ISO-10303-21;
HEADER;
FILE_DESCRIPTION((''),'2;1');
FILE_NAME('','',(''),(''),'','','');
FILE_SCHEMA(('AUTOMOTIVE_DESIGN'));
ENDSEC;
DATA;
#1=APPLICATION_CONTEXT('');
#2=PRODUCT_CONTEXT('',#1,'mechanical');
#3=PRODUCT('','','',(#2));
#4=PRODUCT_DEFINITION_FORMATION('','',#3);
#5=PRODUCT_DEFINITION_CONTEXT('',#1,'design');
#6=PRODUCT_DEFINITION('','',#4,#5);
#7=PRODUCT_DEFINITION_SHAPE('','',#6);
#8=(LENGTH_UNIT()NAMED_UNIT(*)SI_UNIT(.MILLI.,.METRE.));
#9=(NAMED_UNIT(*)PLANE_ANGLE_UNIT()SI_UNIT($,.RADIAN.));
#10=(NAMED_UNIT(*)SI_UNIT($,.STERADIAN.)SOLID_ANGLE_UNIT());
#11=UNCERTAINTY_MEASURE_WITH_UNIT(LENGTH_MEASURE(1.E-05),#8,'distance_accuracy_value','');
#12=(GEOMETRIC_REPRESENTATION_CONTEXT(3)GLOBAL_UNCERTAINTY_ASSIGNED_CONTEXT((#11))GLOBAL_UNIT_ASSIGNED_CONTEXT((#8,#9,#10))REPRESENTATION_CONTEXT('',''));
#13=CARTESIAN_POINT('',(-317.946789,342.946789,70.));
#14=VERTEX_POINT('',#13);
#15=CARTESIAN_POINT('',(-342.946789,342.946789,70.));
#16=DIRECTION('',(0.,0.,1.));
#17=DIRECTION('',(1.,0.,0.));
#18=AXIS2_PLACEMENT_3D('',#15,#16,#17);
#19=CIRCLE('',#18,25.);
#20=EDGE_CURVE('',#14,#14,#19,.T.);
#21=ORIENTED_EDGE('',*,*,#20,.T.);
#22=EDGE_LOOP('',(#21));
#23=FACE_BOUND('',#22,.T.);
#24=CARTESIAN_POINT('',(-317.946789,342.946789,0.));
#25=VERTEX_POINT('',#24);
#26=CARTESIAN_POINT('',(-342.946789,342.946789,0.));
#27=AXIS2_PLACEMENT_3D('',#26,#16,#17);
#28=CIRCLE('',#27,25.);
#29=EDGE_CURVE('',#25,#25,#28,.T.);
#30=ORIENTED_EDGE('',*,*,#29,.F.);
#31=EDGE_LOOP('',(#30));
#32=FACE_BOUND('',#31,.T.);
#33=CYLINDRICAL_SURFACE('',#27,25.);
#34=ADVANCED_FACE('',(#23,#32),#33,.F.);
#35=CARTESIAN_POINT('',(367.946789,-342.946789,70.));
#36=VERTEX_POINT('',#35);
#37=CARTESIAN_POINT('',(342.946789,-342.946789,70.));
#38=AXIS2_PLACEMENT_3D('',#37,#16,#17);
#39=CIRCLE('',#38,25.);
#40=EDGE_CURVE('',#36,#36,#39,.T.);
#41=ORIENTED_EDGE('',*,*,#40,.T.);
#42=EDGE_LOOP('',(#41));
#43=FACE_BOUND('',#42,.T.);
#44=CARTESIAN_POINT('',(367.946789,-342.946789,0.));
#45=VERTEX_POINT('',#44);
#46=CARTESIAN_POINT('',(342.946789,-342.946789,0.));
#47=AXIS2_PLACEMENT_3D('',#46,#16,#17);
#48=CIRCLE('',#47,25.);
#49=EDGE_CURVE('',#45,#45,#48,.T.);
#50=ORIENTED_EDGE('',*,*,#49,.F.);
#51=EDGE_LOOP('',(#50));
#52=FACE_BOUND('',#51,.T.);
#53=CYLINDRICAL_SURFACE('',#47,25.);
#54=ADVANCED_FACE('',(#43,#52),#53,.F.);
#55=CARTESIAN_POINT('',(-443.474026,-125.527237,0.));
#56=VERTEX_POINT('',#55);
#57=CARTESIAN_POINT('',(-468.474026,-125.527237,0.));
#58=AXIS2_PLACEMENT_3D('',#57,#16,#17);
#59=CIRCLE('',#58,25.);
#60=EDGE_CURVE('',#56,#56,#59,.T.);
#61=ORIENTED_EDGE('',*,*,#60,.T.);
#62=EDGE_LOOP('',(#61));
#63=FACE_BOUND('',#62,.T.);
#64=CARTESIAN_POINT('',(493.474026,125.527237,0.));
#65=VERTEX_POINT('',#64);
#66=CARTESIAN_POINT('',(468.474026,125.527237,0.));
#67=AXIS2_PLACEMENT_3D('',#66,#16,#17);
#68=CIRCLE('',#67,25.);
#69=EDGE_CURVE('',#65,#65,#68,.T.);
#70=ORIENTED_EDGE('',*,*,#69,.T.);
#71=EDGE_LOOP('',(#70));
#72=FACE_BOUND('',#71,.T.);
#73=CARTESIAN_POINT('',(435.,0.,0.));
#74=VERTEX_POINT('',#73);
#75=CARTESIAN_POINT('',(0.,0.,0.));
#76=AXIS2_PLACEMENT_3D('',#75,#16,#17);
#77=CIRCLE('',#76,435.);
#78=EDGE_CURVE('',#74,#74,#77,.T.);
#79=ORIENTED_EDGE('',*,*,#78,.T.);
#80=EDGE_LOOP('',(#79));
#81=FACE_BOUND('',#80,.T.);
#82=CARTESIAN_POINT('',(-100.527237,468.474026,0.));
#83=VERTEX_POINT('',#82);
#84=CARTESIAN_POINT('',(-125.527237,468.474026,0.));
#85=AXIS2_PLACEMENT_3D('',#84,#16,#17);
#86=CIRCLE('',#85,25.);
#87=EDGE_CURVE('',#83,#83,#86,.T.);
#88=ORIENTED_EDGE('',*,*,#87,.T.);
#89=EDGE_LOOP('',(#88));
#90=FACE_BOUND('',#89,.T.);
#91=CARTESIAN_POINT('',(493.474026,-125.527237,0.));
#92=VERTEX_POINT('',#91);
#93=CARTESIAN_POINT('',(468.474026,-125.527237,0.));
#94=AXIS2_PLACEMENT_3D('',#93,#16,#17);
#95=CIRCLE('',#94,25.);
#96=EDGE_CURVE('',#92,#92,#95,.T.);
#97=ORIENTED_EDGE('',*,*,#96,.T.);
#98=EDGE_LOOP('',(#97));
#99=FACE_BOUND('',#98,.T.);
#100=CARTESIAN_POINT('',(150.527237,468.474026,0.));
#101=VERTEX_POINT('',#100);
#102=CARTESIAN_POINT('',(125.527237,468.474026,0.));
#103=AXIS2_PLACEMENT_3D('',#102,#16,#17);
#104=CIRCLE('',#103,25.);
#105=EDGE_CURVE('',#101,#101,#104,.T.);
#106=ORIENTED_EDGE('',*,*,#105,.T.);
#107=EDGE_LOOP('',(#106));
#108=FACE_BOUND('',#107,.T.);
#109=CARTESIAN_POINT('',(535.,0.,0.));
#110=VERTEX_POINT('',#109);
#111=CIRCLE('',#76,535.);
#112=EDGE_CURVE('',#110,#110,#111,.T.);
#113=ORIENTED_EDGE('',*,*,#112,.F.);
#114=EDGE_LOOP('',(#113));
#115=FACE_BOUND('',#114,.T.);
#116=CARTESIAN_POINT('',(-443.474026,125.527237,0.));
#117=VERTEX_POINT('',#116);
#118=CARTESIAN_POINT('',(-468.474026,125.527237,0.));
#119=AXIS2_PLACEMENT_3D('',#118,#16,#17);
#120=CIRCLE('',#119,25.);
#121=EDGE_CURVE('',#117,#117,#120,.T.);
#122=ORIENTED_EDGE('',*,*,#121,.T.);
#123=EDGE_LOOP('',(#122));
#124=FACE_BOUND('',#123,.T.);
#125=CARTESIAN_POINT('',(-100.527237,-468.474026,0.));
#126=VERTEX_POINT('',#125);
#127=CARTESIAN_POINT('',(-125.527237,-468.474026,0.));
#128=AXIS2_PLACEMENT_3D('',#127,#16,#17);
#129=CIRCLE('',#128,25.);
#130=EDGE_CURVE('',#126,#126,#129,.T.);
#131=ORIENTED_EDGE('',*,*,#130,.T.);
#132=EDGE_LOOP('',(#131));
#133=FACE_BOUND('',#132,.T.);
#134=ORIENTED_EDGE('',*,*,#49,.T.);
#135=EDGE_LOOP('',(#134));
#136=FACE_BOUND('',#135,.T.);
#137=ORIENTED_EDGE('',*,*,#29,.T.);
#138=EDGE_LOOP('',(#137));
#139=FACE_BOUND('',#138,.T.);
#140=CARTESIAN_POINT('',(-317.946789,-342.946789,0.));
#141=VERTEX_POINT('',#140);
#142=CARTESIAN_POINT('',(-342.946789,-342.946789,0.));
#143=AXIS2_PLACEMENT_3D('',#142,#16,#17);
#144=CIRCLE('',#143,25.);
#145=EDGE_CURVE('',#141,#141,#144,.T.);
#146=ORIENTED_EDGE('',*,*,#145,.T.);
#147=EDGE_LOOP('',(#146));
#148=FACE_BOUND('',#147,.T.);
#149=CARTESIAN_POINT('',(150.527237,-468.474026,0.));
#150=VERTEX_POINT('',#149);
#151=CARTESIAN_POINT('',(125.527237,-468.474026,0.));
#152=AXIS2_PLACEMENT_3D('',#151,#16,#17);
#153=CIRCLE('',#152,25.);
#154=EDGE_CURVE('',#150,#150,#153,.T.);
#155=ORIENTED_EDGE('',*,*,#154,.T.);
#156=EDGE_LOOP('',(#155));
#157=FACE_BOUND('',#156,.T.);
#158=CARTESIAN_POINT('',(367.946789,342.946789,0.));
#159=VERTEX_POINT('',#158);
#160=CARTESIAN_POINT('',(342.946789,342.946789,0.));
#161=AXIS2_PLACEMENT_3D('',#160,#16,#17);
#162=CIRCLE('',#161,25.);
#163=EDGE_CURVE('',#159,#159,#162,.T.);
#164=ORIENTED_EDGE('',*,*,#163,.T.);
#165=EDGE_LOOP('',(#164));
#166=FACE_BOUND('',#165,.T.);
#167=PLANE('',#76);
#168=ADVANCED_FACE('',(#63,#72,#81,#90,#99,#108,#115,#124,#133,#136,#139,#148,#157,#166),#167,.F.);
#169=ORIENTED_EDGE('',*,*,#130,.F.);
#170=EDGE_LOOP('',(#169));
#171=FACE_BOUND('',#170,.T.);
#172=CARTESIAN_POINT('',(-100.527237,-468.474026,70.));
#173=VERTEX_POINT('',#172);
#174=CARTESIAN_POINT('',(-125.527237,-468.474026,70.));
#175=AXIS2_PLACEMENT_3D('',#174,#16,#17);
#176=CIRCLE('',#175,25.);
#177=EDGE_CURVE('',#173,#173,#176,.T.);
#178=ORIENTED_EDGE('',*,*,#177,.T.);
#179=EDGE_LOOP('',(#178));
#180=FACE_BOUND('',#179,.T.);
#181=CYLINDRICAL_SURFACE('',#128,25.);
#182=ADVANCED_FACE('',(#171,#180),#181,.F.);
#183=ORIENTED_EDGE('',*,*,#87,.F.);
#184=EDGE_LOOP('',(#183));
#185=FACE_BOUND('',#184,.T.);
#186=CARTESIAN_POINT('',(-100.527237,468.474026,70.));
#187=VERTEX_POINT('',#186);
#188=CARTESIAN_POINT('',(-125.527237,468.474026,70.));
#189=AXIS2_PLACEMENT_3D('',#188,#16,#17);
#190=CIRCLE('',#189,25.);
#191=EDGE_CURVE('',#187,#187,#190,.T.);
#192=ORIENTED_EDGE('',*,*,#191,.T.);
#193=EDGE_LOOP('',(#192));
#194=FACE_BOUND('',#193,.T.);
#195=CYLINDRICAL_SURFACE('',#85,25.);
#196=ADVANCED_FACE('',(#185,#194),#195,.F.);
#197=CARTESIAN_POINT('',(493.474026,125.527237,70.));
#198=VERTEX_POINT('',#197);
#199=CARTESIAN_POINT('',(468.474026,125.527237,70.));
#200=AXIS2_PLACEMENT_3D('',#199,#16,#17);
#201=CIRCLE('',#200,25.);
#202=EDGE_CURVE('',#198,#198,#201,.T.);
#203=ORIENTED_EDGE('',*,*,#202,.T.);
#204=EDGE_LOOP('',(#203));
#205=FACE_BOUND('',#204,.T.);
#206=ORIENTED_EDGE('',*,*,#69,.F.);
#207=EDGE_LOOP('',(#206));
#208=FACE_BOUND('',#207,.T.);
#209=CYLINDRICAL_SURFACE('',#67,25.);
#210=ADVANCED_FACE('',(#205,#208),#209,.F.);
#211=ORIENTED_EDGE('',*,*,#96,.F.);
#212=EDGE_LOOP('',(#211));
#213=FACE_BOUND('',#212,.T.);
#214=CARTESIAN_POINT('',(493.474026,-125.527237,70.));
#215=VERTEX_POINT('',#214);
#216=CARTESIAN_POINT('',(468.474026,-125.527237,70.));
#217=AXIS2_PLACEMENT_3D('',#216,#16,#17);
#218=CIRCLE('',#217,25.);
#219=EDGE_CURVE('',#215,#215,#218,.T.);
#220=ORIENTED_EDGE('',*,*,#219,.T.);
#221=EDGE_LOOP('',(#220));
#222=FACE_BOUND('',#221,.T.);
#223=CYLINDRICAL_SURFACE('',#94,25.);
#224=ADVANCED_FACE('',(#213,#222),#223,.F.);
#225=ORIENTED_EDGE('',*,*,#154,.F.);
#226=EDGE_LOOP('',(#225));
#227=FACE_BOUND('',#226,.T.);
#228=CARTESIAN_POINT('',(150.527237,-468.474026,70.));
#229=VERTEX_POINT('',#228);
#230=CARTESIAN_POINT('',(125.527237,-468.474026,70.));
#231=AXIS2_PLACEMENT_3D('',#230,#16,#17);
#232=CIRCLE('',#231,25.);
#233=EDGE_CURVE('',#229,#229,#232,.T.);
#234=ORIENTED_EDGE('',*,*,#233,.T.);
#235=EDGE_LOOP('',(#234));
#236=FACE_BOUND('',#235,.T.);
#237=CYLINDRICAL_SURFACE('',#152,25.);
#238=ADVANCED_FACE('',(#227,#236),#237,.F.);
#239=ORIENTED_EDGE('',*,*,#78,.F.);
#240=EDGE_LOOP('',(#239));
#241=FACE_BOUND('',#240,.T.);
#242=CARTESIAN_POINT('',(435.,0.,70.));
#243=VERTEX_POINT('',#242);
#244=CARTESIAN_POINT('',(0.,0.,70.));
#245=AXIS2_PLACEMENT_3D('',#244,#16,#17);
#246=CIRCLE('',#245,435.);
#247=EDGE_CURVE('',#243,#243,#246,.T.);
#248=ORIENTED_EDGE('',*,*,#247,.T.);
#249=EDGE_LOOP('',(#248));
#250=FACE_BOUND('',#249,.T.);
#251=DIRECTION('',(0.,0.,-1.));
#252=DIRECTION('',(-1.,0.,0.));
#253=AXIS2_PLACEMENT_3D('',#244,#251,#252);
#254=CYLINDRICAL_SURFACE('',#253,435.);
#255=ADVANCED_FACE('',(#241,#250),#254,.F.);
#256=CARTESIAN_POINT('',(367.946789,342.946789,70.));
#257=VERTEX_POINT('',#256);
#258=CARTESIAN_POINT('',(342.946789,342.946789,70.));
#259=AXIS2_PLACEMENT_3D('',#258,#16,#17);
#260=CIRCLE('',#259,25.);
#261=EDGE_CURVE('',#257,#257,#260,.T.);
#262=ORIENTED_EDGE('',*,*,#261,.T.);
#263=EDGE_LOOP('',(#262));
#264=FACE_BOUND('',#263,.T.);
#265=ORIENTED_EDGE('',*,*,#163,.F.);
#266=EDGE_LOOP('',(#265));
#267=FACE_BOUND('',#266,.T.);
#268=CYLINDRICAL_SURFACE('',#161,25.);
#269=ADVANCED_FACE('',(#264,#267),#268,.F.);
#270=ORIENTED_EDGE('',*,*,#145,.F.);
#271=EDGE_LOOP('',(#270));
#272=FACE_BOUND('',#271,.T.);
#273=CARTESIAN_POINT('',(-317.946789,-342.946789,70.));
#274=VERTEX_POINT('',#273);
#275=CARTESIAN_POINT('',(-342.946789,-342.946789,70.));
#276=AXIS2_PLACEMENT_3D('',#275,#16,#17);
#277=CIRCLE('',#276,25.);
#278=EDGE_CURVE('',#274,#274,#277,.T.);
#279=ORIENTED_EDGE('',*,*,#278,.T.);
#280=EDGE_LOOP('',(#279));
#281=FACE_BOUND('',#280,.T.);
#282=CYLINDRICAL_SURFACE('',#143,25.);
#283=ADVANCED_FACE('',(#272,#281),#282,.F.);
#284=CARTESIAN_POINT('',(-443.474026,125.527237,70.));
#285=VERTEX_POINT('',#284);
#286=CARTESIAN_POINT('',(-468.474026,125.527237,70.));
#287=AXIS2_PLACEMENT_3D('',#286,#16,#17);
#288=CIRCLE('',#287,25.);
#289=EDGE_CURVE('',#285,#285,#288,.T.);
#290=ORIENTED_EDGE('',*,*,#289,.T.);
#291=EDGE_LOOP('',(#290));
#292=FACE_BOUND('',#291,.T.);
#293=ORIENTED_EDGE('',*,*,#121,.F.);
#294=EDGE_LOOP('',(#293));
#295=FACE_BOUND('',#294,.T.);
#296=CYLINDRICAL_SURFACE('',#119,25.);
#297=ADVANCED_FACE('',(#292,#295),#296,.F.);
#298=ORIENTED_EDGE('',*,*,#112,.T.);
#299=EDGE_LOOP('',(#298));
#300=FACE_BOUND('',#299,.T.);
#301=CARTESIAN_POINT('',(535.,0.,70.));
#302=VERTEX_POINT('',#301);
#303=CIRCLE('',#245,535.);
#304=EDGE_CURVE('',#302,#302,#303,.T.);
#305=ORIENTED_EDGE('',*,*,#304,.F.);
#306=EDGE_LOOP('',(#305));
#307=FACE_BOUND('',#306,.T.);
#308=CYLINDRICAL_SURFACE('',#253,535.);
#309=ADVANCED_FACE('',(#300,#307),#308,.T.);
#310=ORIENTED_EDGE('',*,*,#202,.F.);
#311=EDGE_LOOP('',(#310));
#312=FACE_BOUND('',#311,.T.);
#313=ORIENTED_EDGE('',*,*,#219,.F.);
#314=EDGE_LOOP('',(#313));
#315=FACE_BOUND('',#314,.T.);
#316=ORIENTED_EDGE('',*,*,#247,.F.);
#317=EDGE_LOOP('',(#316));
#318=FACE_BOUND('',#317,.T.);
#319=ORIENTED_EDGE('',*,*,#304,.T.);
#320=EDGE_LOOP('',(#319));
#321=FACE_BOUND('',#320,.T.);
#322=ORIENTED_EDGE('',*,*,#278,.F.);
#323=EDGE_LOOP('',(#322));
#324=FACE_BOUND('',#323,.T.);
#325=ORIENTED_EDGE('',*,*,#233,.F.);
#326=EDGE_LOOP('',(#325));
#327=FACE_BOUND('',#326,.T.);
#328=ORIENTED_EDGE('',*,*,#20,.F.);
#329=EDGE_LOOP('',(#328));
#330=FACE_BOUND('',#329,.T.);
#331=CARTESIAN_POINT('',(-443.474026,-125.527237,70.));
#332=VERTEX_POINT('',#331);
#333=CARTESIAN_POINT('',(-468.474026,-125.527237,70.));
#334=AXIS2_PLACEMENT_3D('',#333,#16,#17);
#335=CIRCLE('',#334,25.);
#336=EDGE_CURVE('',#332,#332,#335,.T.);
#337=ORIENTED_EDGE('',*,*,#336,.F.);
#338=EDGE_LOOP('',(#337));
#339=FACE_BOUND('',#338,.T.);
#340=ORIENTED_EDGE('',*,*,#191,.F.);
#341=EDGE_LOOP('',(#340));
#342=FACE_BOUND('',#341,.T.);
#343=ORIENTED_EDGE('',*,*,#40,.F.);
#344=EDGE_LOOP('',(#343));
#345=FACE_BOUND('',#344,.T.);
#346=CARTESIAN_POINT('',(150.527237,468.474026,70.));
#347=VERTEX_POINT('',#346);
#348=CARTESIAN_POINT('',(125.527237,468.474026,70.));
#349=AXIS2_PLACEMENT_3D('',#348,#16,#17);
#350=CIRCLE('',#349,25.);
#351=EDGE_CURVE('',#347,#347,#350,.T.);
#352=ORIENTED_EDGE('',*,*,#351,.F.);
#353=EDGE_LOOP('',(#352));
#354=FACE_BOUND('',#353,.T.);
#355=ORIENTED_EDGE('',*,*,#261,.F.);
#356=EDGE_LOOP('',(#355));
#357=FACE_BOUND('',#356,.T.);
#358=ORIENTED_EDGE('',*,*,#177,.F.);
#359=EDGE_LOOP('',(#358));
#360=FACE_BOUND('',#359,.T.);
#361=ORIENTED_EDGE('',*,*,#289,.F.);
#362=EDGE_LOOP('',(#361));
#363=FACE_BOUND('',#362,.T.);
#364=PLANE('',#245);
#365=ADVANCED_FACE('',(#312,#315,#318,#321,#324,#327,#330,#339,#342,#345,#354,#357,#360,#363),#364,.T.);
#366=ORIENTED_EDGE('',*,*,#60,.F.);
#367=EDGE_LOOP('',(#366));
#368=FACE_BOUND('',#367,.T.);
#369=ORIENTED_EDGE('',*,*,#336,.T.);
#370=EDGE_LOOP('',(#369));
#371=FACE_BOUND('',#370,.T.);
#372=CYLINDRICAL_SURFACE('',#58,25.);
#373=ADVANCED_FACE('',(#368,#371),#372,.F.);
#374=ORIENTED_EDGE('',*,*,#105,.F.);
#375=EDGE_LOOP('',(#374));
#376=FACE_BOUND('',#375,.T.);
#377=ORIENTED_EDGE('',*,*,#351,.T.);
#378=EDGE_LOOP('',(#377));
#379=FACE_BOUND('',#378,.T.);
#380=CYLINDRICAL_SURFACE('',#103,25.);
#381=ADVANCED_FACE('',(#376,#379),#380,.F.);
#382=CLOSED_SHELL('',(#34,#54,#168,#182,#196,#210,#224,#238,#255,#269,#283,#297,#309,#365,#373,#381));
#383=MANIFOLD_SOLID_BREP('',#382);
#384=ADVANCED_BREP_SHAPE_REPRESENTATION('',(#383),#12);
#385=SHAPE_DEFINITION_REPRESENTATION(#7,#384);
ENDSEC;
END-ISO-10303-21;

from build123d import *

# Parameters (mm, degrees)
SKETCH1_R               = 535
SKETCH1_R_2             = 435
BOSS_EXTRUDE1_DEPTH     = 70
CUT_EXTRUDE2_DEPTH      = 760.835508515
CUT_EXTRUDE2_DEPTH_BACK = 760.835508515
SKETCH3_R               = 25


with BuildPart() as part:
    # Sketch1 → Boss-Extrude1 (new body)
    with BuildSketch(Plane.XY):
        Circle(SKETCH1_R)
        Circle(SKETCH1_R_2, mode=Mode.SUBTRACT)
    extrude(amount=BOSS_EXTRUDE1_DEPTH)

    # Sketch3 → Cut-Extrude2 (cut, two sides: drawn at the far end of the back side and taken through both)
    with BuildSketch(Plane.XY.offset(70).offset(-CUT_EXTRUDE2_DEPTH_BACK)):
        with Locations((125.527236875, 468.47402575)):
            Circle(SKETCH3_R)
        with Locations((342.946788875, 342.946788875)):
            Circle(SKETCH3_R)
        with Locations((468.47402575, 125.527236875)):
            Circle(SKETCH3_R)
        with Locations((468.47402575, -125.527236875)):
            Circle(SKETCH3_R)
        with Locations((342.946788875, -342.946788876)):
            Circle(SKETCH3_R)
        with Locations((125.527236875, -468.47402575)):
            Circle(SKETCH3_R)
        with Locations((-125.527236875, -468.47402575)):
            Circle(SKETCH3_R)
        with Locations((-342.946788876, -342.946788875)):
            Circle(SKETCH3_R)
        with Locations((-468.47402575, -125.527236875)):
            Circle(SKETCH3_R)
        with Locations((-468.47402575, 125.527236875)):
            Circle(SKETCH3_R)
        with Locations((-342.946788875, 342.946788876)):
            Circle(SKETCH3_R)
        with Locations((-125.527236875, 468.47402575)):
            Circle(SKETCH3_R)
    extrude(amount=CUT_EXTRUDE2_DEPTH + CUT_EXTRUDE2_DEPTH_BACK, mode=Mode.SUBTRACT)


solid = part.part
